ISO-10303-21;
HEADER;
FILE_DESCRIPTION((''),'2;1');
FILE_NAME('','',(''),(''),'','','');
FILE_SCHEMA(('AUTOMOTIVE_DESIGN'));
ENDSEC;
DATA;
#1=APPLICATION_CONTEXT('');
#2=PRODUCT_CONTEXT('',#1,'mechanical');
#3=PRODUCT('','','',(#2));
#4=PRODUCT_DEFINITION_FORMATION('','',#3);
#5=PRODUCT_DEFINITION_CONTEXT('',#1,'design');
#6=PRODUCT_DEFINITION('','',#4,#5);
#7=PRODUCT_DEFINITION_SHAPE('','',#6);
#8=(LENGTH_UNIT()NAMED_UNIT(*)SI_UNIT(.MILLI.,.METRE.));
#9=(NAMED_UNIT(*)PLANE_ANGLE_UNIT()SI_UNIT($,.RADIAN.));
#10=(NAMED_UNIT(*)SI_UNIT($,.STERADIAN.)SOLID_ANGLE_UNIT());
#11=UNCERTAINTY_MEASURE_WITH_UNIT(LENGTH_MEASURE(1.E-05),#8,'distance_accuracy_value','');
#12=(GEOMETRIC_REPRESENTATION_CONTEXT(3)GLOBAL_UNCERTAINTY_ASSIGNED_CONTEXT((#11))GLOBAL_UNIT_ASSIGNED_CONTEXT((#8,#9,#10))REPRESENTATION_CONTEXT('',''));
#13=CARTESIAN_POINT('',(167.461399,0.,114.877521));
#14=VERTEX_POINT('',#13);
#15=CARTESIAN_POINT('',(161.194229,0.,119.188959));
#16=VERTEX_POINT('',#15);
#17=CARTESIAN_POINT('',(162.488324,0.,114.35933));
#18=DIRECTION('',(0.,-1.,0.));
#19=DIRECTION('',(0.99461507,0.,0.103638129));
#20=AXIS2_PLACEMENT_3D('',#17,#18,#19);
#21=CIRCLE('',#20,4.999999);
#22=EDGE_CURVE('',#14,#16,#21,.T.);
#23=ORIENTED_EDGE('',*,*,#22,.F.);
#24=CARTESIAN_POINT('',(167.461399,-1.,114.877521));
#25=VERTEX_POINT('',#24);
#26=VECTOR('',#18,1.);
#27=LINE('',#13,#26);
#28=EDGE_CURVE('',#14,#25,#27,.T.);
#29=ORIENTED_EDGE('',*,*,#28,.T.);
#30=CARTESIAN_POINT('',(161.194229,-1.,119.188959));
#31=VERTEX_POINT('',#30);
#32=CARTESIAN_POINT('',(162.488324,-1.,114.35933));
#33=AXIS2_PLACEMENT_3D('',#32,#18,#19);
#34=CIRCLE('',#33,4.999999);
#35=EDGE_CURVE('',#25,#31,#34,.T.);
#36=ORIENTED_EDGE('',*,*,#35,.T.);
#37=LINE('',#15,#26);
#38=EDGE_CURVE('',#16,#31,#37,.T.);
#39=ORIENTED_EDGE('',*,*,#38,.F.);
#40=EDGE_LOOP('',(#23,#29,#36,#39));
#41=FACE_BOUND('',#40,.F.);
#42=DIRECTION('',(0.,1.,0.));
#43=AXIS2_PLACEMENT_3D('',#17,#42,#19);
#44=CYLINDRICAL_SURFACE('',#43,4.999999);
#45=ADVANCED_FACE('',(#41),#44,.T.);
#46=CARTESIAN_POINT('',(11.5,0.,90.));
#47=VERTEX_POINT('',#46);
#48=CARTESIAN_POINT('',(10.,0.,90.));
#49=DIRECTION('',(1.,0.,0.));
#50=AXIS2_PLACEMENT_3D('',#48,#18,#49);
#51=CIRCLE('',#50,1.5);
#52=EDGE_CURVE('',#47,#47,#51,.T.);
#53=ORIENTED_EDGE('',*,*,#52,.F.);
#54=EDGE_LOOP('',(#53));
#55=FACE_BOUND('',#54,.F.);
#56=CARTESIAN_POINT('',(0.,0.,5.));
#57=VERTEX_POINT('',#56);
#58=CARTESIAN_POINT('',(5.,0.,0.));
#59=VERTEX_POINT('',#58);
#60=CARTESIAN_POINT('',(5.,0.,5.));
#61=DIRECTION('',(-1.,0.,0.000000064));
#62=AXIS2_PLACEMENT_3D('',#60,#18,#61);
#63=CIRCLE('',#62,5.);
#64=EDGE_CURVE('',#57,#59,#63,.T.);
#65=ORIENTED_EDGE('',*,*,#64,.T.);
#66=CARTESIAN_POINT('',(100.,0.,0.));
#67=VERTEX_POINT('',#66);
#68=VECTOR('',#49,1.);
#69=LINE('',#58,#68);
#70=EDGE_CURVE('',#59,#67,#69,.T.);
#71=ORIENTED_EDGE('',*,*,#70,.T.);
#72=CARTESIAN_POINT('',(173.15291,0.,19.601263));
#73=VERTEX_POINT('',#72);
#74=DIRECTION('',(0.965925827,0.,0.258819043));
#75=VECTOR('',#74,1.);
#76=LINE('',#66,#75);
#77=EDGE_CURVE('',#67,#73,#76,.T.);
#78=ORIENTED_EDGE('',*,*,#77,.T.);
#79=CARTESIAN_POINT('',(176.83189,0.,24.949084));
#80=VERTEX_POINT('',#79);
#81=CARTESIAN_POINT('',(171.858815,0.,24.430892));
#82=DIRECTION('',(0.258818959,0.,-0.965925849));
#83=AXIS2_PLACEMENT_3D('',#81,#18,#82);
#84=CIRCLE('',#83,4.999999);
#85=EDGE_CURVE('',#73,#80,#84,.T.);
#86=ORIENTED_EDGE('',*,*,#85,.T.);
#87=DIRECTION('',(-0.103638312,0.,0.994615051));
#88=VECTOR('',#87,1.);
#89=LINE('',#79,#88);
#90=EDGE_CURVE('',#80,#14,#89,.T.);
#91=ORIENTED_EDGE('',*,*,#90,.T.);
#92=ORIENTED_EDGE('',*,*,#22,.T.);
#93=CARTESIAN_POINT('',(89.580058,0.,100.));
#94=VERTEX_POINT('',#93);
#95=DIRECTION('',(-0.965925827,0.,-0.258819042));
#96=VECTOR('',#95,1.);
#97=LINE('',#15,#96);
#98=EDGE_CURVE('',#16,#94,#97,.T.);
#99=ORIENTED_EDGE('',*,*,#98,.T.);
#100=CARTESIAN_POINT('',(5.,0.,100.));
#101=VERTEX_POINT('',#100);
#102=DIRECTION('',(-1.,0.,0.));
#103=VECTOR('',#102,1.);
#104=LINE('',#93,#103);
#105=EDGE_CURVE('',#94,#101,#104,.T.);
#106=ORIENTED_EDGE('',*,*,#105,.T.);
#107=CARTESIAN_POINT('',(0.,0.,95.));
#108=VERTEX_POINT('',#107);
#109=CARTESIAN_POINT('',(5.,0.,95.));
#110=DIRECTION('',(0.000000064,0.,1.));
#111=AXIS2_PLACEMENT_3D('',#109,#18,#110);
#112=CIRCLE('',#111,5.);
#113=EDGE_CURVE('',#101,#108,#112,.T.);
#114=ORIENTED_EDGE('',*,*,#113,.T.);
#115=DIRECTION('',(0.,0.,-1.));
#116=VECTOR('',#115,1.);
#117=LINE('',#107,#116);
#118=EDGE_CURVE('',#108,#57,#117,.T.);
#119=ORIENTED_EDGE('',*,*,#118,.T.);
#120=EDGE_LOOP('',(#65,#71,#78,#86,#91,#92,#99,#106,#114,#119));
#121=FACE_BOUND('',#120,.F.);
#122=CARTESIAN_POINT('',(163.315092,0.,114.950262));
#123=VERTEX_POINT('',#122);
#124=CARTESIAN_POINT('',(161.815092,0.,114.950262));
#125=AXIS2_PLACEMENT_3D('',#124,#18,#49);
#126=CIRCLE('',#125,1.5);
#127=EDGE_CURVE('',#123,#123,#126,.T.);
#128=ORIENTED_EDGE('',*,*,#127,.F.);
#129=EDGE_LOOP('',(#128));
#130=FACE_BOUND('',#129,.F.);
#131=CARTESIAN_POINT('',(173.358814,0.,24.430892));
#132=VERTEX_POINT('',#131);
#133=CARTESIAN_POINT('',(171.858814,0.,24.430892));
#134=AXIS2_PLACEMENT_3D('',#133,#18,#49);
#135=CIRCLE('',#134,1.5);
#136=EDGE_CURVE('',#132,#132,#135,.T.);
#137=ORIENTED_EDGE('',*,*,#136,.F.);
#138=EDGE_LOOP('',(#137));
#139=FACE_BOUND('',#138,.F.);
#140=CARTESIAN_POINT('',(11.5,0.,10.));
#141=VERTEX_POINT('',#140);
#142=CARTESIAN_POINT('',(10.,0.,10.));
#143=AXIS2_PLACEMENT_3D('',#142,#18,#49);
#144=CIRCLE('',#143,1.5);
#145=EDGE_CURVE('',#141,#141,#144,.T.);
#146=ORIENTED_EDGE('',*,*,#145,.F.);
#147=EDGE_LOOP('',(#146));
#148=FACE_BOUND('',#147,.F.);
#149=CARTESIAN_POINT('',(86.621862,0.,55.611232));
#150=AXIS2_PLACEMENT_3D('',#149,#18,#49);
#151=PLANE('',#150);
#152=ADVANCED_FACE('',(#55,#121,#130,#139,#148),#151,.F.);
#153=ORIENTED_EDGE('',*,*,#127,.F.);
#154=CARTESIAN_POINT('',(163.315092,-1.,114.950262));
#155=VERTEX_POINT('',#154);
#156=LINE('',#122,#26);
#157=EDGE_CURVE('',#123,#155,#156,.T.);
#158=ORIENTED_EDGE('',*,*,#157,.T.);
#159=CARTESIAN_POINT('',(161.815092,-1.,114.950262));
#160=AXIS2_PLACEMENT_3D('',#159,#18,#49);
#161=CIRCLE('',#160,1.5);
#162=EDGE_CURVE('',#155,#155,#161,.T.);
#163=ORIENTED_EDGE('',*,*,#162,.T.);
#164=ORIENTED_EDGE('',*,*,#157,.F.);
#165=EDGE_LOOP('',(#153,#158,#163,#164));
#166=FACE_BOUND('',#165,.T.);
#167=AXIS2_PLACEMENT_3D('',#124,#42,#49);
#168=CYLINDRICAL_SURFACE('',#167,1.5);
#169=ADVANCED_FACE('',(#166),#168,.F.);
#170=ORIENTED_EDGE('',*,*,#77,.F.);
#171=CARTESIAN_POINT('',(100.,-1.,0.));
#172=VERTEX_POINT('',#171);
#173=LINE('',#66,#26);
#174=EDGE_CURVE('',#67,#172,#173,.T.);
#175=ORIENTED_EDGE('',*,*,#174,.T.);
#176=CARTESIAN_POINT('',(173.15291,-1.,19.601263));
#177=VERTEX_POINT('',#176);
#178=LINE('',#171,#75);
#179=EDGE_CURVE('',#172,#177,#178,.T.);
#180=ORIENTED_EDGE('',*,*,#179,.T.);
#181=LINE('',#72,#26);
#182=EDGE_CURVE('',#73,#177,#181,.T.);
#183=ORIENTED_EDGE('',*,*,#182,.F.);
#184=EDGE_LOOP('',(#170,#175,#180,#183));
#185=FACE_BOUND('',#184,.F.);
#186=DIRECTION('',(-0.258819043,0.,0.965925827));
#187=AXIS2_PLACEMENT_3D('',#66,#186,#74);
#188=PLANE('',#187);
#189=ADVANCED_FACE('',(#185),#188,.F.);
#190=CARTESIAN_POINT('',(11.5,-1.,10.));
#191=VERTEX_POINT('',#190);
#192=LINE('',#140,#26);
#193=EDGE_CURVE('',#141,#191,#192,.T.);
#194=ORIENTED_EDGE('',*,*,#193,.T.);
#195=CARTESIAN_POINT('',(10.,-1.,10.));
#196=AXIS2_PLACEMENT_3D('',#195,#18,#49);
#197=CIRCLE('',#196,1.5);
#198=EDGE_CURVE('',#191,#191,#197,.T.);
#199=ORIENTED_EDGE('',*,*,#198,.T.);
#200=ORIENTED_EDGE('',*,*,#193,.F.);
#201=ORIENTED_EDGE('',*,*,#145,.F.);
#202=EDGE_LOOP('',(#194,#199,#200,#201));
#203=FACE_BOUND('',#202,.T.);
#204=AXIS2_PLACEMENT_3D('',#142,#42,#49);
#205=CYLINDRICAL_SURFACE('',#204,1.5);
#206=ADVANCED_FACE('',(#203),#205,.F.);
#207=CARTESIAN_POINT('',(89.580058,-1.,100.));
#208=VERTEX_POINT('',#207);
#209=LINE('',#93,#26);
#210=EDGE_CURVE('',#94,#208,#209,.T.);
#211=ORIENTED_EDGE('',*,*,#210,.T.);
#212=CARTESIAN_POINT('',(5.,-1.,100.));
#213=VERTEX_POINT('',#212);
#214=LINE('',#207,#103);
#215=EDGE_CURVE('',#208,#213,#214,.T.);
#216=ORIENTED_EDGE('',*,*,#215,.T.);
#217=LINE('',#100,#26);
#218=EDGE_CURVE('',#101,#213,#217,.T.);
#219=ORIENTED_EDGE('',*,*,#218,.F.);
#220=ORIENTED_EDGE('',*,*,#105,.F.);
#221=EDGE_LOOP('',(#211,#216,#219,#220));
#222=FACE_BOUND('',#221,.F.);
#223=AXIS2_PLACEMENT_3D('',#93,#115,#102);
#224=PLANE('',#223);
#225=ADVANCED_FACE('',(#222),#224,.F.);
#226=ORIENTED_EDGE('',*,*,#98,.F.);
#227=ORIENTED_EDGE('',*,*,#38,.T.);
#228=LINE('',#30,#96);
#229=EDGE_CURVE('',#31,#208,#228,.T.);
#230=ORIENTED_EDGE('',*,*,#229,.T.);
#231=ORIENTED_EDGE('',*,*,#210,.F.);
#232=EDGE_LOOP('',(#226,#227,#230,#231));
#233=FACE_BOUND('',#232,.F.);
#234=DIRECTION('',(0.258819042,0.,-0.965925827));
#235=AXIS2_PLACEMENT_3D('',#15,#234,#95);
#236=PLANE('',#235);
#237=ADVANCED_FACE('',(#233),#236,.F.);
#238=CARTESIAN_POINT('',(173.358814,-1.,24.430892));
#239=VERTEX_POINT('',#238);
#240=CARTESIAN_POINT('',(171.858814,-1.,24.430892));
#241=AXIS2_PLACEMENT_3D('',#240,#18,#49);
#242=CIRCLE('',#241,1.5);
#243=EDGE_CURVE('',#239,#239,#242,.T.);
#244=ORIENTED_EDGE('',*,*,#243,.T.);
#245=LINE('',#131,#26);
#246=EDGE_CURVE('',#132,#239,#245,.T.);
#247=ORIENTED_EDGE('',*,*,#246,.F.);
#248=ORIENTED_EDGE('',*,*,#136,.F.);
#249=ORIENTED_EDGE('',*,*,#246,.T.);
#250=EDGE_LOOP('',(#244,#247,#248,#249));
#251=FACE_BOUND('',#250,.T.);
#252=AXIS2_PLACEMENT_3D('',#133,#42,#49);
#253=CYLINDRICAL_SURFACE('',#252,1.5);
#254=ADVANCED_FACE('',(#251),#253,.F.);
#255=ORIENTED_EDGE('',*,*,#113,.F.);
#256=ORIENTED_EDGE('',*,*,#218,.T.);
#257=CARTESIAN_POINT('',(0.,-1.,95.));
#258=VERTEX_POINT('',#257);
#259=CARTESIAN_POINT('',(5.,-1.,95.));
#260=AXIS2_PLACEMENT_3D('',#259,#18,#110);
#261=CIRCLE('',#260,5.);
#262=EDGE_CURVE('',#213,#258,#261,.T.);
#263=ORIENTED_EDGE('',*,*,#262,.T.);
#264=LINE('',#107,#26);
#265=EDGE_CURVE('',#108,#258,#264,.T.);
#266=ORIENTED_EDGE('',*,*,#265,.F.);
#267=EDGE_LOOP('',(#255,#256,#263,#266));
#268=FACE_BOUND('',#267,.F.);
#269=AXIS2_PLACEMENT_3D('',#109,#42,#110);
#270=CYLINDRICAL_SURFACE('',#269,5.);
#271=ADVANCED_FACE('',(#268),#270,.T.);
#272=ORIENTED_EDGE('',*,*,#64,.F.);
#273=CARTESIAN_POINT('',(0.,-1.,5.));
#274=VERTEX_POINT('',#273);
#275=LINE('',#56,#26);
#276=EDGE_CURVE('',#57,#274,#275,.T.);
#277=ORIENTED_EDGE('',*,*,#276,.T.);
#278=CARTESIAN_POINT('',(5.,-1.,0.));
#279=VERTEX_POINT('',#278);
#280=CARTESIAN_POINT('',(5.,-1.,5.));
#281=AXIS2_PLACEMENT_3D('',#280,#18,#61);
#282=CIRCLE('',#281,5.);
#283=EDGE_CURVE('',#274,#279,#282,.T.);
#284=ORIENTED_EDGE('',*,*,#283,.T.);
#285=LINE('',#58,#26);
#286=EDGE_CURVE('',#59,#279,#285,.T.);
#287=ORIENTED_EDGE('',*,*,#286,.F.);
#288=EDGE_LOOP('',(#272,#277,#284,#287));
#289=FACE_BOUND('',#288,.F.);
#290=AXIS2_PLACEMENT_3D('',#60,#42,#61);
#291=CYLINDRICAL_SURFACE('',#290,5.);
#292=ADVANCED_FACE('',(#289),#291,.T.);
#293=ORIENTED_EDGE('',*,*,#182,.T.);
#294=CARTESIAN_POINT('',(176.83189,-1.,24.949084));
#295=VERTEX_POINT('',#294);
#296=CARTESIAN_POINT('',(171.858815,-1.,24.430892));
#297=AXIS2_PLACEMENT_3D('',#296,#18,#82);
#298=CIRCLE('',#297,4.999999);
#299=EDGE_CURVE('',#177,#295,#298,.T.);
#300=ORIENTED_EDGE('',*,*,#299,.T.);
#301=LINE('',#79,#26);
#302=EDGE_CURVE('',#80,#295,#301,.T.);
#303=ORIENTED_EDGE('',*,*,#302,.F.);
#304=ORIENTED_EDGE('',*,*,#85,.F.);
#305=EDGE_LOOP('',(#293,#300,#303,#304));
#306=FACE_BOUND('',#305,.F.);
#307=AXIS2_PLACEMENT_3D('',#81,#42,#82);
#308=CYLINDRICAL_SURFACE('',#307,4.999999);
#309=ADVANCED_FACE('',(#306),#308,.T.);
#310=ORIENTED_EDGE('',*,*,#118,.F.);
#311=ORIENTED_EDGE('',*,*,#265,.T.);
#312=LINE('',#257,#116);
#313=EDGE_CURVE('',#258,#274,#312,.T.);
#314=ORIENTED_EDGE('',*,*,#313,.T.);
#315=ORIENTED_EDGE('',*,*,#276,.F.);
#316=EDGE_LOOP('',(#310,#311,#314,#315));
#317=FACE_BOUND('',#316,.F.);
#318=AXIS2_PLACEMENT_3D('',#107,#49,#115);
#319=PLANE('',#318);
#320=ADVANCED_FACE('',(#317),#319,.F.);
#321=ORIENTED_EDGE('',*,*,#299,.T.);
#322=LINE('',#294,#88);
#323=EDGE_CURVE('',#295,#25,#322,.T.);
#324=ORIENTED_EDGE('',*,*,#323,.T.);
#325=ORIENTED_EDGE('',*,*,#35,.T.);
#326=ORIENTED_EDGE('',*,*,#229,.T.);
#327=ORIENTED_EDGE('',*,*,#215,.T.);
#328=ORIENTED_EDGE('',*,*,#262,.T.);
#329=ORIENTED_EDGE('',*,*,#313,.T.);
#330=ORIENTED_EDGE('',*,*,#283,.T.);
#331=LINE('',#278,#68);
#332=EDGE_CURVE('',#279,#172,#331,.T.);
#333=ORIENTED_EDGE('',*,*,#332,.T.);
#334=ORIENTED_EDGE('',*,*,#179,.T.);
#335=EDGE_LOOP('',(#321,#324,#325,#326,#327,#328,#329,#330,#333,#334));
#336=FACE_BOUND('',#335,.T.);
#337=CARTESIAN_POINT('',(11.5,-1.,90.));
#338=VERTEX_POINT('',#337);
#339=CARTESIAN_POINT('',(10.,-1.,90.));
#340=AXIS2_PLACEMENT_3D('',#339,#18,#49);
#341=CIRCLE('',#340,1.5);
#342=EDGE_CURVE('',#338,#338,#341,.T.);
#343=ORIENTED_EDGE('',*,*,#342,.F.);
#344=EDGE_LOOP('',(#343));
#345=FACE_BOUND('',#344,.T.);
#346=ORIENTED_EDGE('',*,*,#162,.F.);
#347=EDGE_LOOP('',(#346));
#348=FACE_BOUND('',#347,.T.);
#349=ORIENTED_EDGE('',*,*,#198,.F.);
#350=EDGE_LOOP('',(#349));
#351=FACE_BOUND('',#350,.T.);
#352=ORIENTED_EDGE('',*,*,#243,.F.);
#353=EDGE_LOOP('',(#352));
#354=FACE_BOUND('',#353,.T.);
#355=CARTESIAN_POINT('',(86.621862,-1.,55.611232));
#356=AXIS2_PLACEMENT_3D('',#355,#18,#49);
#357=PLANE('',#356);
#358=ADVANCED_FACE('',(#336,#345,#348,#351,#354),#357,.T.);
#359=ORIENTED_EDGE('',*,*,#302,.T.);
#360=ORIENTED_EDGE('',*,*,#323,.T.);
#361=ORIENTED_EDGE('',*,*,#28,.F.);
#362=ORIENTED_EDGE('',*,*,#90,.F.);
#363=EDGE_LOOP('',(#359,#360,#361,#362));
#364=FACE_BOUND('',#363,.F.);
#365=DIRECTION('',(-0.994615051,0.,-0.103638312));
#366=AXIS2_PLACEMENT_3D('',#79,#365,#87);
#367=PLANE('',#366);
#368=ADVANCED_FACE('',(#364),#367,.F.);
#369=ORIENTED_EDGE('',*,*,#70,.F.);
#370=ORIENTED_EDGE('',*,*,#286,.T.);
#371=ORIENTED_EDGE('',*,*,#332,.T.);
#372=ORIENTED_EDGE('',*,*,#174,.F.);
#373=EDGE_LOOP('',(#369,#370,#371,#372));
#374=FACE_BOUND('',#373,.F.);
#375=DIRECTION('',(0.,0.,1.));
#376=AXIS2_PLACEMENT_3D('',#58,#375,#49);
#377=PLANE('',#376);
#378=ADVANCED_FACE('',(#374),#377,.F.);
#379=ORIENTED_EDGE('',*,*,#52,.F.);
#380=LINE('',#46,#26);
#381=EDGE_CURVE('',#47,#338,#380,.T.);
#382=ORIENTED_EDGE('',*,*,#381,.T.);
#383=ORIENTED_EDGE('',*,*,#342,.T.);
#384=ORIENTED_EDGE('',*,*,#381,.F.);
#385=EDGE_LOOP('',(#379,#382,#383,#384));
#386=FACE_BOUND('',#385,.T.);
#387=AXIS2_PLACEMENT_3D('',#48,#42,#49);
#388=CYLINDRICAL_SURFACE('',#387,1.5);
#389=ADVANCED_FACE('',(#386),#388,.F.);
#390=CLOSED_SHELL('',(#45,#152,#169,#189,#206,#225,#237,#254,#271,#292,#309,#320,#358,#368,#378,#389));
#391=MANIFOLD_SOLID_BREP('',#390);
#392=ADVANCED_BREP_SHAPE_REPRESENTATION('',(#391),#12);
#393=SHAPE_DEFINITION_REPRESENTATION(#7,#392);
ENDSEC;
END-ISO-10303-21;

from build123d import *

# Parameters (mm, degrees)
F0_R     = 1.5
F1_DEPTH = 1


with BuildPart() as f1:
    # F0 (on Front) → F1 (new body)
    with BuildSketch(Plane.XZ):
        with BuildLine():
            Line((0, 95), (0, 5))
            ThreePointArc((0, 5), (1.464466, 1.464466), (5, 0))
            Line((5, 0), (100, 0))
            Line((100, 0), (173.15291, 19.601263))
            ThreePointArc((173.15291, 19.601263), (175.978178, 21.597017), (176.83189, 24.949084))
            Line((176.83189, 24.949084), (167.461399, 114.877521))
            ThreePointArc((167.461399, 114.877521), (165.322199, 118.478693), (161.194229, 119.188959))
            Line((161.194229, 119.188959), (89.580058, 100))
            Line((89.580058, 100), (5, 100))
            ThreePointArc((5, 100), (1.464466, 98.535534), (0, 95))
        make_face()
        with Locations((10, 10)):
            Circle(F0_R, mode=Mode.SUBTRACT)
        with Locations((171.858814, 24.430892)):
            Circle(F0_R, mode=Mode.SUBTRACT)
        with Locations((10, 90)):
            Circle(F0_R, mode=Mode.SUBTRACT)
        with Locations((161.815092, 114.950262)):
            Circle(F0_R, mode=Mode.SUBTRACT)
    extrude(amount=F1_DEPTH)


solid = f1.part
